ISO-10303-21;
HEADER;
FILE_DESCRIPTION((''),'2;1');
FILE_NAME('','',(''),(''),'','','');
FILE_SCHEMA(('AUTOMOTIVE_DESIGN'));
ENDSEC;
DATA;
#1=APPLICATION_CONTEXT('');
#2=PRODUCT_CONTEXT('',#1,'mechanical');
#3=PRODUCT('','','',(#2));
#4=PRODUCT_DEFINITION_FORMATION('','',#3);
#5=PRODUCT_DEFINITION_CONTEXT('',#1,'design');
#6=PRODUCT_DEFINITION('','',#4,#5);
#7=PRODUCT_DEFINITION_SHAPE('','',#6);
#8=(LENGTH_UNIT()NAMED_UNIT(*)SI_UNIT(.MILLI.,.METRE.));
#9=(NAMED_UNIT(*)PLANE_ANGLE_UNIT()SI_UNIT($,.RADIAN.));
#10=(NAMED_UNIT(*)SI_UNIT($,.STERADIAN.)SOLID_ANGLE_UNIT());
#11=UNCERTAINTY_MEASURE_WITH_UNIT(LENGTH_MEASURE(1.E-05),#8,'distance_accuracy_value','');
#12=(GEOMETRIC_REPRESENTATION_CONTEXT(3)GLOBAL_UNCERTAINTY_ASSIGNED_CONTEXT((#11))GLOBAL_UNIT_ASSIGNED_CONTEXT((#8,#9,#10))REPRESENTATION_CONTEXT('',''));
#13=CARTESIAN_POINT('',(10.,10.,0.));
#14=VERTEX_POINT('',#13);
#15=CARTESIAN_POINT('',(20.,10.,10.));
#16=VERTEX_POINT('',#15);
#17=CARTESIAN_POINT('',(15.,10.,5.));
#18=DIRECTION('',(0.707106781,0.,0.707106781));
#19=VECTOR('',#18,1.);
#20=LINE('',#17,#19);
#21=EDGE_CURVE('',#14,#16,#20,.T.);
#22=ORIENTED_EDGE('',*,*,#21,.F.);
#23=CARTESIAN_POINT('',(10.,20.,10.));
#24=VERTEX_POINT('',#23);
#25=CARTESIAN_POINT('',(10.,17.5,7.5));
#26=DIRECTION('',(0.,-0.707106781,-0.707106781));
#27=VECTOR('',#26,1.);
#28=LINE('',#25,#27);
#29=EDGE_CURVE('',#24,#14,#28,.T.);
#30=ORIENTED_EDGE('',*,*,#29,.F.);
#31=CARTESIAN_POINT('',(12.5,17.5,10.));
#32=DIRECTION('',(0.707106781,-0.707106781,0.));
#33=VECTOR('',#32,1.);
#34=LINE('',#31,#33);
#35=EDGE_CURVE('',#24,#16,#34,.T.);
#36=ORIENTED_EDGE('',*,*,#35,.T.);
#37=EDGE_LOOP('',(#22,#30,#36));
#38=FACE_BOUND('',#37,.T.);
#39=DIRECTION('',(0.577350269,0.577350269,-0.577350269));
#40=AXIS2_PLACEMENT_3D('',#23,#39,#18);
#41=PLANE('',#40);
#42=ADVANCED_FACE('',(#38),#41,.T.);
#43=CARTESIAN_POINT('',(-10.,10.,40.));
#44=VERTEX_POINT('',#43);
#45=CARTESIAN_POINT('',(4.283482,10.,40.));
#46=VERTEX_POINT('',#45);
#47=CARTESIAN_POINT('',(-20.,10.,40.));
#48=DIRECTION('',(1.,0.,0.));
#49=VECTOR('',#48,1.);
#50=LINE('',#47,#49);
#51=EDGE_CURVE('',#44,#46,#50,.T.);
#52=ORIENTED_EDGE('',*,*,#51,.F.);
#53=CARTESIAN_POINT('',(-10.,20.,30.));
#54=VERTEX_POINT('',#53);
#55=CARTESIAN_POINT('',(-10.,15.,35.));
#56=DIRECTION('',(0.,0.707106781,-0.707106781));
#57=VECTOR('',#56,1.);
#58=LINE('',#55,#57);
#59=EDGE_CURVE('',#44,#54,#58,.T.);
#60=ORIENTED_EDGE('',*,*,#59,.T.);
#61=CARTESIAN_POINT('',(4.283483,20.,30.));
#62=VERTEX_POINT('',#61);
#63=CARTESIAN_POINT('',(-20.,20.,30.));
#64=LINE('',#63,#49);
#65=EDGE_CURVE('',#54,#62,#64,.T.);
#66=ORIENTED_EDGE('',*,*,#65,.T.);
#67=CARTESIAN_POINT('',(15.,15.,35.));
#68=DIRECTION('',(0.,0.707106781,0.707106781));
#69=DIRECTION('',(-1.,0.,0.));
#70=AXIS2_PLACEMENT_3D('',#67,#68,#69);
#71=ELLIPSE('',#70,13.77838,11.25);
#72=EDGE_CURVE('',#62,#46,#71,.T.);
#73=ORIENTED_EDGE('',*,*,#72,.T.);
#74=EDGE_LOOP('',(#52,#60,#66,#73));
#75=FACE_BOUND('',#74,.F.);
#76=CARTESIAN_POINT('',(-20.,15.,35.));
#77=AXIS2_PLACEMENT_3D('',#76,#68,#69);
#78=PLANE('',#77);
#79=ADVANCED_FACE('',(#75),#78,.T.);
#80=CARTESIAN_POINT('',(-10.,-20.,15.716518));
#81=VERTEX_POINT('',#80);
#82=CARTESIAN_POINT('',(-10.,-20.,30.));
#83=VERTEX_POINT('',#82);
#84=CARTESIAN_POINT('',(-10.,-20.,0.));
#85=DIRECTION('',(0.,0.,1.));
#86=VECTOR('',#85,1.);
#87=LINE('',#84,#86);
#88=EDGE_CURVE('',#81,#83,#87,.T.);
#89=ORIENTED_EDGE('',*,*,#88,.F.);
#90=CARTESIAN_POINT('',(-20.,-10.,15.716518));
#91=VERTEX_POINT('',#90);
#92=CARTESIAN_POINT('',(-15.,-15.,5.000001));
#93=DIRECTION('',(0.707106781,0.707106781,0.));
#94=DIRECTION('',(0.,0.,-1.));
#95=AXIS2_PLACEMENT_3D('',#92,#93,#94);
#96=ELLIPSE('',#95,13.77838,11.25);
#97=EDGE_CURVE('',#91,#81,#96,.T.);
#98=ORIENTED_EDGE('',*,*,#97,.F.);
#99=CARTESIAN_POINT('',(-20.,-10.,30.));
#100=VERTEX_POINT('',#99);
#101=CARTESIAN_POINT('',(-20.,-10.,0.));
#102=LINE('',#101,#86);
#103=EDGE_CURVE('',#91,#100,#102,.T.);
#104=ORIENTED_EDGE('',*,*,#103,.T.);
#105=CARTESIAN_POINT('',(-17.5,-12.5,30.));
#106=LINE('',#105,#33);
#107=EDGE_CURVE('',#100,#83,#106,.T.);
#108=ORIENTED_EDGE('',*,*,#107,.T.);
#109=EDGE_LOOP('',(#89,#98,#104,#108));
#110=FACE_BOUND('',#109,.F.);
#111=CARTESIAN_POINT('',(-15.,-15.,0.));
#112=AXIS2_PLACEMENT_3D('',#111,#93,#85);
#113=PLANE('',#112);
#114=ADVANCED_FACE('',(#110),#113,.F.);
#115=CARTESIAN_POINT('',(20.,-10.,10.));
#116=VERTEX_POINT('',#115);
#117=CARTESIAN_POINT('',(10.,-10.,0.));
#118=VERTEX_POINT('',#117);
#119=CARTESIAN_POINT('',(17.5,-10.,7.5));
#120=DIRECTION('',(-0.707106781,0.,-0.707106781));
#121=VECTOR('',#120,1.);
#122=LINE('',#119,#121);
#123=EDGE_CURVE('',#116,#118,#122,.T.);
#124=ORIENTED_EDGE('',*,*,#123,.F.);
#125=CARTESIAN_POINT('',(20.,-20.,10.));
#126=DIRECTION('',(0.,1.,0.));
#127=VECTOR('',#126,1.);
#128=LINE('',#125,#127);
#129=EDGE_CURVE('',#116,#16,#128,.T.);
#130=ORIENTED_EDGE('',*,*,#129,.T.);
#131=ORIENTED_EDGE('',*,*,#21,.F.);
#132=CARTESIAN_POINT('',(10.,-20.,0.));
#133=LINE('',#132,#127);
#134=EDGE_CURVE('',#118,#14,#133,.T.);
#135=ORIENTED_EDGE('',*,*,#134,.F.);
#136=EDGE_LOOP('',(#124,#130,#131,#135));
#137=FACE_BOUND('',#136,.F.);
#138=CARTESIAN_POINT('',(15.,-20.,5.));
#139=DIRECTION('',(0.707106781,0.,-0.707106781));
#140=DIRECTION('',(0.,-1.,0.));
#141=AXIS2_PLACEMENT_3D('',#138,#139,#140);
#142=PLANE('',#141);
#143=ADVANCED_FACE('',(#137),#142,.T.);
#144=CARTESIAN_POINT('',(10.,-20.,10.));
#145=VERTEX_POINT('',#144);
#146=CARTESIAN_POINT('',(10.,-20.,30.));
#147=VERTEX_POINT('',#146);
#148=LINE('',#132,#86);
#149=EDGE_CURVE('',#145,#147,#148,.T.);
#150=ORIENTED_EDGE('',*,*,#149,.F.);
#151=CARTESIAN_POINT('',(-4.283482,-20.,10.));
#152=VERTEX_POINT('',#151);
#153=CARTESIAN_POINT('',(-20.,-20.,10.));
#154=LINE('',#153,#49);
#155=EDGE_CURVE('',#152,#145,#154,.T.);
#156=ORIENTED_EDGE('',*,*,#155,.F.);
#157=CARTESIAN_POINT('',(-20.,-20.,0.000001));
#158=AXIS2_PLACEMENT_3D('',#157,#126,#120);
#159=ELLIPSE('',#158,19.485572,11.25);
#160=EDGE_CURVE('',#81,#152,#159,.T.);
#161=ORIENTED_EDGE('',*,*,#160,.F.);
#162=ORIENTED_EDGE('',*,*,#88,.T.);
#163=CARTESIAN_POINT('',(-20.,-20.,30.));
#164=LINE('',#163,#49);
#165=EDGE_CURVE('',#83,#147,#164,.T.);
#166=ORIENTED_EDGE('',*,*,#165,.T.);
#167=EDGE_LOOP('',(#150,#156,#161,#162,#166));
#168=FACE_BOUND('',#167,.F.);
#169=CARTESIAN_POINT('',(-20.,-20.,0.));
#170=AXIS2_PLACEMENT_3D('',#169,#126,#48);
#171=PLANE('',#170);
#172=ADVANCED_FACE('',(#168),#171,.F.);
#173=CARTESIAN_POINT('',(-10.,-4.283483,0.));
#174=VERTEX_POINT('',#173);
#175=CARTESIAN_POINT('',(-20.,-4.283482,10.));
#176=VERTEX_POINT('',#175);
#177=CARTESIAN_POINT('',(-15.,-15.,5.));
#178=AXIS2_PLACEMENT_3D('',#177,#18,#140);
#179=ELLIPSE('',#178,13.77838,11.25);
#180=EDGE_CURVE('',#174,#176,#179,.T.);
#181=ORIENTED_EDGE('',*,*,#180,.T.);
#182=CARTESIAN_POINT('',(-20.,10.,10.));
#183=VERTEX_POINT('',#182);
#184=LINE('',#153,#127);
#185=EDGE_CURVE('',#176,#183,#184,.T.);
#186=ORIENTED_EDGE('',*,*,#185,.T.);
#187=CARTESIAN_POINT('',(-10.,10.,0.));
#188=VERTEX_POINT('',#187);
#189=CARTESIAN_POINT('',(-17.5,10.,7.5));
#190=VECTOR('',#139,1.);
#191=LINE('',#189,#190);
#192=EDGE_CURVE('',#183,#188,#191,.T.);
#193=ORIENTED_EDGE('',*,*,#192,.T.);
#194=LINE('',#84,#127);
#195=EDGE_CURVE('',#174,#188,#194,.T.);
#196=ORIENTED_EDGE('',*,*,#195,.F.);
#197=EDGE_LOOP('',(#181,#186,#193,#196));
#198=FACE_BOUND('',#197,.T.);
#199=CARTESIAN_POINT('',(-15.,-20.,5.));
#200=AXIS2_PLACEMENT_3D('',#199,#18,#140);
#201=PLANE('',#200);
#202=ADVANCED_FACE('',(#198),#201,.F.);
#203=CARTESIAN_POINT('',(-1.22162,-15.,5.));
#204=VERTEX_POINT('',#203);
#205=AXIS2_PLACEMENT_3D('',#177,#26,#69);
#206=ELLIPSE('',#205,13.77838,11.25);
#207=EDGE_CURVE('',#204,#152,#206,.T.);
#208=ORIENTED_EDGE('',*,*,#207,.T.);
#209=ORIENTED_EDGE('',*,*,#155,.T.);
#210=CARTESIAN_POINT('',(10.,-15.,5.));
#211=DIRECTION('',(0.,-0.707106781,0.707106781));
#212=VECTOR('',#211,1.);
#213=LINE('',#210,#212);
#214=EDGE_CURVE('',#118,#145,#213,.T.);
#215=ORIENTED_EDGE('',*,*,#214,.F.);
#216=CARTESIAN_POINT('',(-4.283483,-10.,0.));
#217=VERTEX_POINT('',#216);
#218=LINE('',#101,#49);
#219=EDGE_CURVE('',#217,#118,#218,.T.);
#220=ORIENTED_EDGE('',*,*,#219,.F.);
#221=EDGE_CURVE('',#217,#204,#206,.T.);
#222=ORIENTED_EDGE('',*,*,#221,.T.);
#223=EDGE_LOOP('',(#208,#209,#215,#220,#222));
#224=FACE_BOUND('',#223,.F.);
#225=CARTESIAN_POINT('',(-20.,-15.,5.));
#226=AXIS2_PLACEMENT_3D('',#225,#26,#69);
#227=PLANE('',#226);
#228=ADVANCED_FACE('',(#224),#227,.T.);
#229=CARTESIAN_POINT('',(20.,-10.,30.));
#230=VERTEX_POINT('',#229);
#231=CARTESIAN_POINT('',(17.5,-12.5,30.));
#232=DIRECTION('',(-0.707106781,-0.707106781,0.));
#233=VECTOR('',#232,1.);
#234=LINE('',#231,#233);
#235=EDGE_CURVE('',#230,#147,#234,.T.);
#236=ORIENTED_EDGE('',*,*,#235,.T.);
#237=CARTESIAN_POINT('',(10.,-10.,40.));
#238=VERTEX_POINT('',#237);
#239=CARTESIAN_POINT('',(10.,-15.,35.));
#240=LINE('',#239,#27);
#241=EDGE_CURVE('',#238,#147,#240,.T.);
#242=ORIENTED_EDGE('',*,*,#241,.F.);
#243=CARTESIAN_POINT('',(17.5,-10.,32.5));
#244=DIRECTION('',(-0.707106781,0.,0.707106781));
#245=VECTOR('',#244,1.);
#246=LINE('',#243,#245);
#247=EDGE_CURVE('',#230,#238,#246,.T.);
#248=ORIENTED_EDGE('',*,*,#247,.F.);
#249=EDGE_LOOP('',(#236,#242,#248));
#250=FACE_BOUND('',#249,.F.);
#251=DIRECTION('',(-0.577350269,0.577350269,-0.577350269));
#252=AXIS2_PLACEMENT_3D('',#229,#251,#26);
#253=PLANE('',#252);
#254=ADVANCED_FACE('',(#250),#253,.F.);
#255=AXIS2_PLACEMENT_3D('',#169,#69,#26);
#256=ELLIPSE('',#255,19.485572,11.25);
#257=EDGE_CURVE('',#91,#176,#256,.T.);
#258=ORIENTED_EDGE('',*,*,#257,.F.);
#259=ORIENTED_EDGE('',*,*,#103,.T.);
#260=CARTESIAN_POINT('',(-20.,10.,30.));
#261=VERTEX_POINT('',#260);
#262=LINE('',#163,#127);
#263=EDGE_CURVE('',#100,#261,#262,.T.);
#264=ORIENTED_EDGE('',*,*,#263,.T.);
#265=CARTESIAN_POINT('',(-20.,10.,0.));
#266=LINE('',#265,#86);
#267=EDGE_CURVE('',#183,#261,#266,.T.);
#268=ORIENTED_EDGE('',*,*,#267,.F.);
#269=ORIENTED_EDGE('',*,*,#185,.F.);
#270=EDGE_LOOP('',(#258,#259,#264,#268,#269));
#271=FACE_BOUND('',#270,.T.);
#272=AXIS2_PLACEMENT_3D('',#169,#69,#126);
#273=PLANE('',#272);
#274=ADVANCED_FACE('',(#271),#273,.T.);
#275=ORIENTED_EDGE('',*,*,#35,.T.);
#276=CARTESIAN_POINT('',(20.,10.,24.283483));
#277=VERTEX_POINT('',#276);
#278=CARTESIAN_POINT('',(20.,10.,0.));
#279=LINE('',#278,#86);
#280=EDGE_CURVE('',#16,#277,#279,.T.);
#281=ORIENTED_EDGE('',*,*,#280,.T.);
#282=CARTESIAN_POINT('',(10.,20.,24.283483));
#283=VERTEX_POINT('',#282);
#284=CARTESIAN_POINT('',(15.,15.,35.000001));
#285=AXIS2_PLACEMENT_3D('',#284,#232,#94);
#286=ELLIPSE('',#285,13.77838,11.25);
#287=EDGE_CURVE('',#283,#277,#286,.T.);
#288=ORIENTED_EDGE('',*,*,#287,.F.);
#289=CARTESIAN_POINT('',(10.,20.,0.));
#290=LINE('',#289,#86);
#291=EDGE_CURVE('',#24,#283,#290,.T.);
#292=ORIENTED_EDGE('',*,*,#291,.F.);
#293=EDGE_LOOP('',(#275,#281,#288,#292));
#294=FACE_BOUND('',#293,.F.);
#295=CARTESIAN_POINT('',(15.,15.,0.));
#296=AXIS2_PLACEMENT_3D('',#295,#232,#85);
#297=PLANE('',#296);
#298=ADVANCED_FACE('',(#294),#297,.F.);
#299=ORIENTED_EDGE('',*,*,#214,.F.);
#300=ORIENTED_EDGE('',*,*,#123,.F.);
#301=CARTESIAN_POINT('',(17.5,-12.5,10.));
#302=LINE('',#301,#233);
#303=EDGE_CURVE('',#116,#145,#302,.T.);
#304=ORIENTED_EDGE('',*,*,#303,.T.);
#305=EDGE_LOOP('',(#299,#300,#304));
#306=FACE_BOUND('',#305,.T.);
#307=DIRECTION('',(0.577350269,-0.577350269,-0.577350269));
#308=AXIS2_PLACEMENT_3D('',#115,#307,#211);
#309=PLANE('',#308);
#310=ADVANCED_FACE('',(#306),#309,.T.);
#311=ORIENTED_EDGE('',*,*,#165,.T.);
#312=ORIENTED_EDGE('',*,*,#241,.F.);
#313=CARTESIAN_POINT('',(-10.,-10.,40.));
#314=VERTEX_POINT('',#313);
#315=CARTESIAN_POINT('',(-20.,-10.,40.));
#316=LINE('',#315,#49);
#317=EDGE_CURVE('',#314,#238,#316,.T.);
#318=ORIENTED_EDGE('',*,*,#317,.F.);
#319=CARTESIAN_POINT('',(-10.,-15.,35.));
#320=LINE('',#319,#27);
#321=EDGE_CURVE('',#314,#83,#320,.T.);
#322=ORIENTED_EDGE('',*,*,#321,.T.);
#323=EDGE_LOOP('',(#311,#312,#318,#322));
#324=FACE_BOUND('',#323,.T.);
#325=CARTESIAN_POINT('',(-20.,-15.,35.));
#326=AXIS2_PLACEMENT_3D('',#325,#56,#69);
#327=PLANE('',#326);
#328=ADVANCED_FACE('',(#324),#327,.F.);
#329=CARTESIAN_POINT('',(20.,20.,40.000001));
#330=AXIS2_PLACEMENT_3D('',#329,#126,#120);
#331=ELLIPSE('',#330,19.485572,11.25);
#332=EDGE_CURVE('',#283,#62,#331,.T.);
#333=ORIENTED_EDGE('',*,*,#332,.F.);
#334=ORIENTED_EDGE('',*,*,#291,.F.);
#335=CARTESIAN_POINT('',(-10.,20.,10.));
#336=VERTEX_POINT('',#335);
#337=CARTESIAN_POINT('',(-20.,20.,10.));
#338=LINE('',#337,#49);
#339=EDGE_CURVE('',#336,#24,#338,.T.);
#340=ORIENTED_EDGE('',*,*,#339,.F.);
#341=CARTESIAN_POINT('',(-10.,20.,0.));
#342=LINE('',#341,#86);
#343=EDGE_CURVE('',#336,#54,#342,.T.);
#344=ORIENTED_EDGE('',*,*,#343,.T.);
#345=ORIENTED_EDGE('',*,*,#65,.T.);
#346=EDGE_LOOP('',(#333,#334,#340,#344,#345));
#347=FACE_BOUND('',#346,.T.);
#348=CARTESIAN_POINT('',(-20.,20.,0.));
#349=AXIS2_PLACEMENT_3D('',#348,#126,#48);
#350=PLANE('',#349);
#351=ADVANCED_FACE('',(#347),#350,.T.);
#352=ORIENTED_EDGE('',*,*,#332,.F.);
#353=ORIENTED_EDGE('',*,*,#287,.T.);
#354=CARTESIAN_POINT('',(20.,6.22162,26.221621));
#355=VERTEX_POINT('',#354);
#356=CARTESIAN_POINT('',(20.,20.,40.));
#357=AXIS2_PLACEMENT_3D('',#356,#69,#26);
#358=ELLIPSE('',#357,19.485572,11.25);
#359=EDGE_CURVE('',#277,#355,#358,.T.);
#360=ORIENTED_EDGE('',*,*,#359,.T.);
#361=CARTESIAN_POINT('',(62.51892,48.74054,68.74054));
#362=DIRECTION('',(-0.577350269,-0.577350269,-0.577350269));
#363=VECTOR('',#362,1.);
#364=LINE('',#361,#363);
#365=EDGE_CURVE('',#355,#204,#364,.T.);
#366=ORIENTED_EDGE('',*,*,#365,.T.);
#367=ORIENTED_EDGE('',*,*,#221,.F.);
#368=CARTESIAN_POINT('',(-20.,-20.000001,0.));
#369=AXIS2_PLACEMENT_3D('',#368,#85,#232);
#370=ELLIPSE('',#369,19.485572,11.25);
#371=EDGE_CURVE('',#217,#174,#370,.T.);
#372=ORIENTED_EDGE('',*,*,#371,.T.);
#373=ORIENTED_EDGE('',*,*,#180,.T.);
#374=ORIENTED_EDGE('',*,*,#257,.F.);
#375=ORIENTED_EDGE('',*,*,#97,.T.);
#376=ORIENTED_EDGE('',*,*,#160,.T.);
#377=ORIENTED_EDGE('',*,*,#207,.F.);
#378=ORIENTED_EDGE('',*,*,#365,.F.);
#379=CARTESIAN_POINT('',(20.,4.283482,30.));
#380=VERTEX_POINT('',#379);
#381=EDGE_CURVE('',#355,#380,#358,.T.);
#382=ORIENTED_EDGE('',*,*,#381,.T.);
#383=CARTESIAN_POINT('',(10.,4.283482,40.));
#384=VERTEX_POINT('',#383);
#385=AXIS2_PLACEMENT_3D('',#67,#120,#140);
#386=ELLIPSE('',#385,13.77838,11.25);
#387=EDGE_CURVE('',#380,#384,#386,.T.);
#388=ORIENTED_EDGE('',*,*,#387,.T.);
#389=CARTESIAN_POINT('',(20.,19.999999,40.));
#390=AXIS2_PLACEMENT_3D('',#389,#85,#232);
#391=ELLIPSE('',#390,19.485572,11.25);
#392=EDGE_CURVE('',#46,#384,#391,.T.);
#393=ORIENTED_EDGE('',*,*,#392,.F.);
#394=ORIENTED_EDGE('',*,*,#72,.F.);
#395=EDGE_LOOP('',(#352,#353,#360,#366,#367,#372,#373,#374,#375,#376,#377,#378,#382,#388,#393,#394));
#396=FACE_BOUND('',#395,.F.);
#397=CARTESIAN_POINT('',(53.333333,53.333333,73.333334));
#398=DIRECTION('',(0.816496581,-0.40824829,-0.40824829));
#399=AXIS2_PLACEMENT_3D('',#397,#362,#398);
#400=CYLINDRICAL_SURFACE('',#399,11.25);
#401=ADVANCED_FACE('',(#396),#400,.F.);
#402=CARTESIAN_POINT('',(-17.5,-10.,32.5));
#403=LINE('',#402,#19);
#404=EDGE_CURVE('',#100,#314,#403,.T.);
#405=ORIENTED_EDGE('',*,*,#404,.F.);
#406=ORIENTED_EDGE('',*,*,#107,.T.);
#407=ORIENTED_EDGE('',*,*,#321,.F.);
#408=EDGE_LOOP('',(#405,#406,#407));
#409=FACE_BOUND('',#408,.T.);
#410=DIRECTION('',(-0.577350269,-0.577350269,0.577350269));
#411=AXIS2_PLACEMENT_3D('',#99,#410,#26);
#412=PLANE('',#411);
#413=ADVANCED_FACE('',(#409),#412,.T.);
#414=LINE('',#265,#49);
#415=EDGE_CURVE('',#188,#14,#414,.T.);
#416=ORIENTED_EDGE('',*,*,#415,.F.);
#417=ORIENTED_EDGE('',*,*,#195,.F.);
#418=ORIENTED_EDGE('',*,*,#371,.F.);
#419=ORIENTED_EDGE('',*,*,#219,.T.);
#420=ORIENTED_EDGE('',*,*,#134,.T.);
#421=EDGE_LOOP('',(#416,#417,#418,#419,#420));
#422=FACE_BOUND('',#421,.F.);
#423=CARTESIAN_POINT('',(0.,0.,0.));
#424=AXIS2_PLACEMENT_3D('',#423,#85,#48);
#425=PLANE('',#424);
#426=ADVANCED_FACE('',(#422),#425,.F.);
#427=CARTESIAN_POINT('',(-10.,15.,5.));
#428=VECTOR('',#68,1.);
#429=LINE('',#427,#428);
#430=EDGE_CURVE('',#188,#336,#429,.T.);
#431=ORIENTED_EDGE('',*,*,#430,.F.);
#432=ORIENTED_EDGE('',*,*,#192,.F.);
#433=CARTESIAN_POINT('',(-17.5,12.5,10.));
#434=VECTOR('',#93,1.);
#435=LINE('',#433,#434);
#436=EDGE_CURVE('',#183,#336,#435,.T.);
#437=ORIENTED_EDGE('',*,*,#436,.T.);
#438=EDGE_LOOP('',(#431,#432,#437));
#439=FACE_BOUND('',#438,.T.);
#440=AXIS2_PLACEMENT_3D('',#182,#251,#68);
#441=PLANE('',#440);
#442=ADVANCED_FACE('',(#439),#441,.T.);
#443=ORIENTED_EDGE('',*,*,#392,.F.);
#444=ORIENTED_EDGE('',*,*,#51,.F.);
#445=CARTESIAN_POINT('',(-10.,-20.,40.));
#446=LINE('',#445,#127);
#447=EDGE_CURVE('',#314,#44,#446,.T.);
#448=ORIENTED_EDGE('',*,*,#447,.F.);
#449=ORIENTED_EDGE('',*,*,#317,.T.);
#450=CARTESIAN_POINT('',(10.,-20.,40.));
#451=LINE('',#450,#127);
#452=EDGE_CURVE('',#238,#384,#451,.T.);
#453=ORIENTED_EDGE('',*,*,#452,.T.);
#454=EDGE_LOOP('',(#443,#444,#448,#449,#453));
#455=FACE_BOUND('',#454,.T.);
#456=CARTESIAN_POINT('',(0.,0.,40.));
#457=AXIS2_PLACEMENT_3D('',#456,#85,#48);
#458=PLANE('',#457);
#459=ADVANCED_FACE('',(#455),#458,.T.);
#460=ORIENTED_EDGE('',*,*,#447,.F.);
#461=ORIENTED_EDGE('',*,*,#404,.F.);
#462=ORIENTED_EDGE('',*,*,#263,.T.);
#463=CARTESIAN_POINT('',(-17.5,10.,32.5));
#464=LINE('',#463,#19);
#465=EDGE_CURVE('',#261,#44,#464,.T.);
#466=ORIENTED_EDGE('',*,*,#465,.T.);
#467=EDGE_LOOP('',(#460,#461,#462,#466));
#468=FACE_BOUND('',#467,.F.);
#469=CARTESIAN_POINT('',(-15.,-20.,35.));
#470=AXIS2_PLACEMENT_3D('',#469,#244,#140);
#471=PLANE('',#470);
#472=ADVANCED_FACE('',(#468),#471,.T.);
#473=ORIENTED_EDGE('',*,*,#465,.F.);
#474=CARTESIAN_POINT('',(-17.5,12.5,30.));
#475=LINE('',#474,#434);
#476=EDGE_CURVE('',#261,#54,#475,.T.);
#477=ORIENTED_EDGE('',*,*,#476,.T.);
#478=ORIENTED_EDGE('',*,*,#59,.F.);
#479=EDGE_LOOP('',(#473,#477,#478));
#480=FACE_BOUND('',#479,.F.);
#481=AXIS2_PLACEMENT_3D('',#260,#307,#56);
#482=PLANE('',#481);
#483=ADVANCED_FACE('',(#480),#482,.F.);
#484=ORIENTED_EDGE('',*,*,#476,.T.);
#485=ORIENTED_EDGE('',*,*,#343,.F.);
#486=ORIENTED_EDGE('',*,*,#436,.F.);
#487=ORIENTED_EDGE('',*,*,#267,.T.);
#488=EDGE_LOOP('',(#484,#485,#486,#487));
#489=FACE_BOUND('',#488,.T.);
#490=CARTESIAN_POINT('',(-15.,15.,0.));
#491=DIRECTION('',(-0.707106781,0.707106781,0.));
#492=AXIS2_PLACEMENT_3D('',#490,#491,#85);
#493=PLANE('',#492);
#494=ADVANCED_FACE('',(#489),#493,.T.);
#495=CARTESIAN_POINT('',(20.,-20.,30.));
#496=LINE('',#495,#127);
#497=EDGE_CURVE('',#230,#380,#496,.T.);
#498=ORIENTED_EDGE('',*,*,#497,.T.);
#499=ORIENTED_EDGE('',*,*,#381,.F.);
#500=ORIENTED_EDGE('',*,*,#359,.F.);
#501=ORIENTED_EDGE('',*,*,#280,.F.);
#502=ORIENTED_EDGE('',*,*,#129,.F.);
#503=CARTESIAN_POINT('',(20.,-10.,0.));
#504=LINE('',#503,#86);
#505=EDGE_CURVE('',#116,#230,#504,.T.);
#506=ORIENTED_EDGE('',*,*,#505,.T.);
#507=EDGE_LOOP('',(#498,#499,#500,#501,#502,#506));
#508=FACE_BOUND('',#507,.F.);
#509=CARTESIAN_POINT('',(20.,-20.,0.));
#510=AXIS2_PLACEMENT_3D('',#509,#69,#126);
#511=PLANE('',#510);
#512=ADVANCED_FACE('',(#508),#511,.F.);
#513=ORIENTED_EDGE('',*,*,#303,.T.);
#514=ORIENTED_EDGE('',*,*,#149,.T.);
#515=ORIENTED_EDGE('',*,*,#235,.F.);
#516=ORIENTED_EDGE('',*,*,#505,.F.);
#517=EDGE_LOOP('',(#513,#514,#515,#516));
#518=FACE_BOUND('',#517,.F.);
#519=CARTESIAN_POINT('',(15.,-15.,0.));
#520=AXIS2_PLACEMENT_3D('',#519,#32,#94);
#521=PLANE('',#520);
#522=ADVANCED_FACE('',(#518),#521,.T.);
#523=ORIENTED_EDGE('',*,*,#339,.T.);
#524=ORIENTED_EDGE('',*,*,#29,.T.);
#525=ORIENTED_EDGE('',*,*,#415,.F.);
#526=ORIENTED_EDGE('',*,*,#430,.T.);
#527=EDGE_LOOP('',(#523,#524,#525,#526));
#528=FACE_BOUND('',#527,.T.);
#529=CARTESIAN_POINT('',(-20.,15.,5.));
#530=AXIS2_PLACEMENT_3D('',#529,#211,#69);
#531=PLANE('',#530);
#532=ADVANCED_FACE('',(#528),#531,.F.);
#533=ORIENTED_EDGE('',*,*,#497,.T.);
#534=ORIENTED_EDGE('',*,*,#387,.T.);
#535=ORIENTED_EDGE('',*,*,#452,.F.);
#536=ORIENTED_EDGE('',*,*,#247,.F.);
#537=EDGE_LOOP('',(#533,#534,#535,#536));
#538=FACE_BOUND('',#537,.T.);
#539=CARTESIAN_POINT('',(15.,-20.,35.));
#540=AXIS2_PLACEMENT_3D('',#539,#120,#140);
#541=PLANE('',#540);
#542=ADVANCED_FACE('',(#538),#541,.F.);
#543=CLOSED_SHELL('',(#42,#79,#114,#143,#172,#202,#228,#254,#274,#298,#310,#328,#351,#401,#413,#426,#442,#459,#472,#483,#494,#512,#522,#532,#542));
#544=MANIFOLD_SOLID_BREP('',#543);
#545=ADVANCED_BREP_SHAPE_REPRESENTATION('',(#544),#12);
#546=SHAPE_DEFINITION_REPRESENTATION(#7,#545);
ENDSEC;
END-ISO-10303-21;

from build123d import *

# Parameters (mm, degrees)
F0_W     = 40
F0_H     = 40
F1_DEPTH = 40
F2_SIZE  = 10
F4_D     = 22.5


with BuildPart() as f1:
    # F0 (on Top) → F1 (new body)
    with BuildSketch(Plane.XY):
        Rectangle(F0_W, F0_H)
    extrude(amount=F1_DEPTH)

    # F2
    f2_edges = [f1.edges().sort_by_distance(p)[0] for p in [
        (0, -20, 40),
        (20, 0, 40),
        (0, 20, 40),
        (-20, 0, 40),
        (0, -20, 0),
        (20, 0, 0),
        (0, 20, 0),
        (-20, 0, 0),
        (20, -20, 20),
        (-20, -20, 20),
        (20, 20, 20),
        (-20, 20, 20),
    ]]
    chamfer(f2_edges, length=F2_SIZE)

    # F4 (through all)
    with Locations(Plane(origin=(20, 20, 20), x_dir=(-0.816497, 0.408248, 0.408248), z_dir=(0.57735, 0.57735, 0.57735))):
        with Locations((8.164966, 14.142136)):
            Hole(F4_D / 2)


solid = f1.part
